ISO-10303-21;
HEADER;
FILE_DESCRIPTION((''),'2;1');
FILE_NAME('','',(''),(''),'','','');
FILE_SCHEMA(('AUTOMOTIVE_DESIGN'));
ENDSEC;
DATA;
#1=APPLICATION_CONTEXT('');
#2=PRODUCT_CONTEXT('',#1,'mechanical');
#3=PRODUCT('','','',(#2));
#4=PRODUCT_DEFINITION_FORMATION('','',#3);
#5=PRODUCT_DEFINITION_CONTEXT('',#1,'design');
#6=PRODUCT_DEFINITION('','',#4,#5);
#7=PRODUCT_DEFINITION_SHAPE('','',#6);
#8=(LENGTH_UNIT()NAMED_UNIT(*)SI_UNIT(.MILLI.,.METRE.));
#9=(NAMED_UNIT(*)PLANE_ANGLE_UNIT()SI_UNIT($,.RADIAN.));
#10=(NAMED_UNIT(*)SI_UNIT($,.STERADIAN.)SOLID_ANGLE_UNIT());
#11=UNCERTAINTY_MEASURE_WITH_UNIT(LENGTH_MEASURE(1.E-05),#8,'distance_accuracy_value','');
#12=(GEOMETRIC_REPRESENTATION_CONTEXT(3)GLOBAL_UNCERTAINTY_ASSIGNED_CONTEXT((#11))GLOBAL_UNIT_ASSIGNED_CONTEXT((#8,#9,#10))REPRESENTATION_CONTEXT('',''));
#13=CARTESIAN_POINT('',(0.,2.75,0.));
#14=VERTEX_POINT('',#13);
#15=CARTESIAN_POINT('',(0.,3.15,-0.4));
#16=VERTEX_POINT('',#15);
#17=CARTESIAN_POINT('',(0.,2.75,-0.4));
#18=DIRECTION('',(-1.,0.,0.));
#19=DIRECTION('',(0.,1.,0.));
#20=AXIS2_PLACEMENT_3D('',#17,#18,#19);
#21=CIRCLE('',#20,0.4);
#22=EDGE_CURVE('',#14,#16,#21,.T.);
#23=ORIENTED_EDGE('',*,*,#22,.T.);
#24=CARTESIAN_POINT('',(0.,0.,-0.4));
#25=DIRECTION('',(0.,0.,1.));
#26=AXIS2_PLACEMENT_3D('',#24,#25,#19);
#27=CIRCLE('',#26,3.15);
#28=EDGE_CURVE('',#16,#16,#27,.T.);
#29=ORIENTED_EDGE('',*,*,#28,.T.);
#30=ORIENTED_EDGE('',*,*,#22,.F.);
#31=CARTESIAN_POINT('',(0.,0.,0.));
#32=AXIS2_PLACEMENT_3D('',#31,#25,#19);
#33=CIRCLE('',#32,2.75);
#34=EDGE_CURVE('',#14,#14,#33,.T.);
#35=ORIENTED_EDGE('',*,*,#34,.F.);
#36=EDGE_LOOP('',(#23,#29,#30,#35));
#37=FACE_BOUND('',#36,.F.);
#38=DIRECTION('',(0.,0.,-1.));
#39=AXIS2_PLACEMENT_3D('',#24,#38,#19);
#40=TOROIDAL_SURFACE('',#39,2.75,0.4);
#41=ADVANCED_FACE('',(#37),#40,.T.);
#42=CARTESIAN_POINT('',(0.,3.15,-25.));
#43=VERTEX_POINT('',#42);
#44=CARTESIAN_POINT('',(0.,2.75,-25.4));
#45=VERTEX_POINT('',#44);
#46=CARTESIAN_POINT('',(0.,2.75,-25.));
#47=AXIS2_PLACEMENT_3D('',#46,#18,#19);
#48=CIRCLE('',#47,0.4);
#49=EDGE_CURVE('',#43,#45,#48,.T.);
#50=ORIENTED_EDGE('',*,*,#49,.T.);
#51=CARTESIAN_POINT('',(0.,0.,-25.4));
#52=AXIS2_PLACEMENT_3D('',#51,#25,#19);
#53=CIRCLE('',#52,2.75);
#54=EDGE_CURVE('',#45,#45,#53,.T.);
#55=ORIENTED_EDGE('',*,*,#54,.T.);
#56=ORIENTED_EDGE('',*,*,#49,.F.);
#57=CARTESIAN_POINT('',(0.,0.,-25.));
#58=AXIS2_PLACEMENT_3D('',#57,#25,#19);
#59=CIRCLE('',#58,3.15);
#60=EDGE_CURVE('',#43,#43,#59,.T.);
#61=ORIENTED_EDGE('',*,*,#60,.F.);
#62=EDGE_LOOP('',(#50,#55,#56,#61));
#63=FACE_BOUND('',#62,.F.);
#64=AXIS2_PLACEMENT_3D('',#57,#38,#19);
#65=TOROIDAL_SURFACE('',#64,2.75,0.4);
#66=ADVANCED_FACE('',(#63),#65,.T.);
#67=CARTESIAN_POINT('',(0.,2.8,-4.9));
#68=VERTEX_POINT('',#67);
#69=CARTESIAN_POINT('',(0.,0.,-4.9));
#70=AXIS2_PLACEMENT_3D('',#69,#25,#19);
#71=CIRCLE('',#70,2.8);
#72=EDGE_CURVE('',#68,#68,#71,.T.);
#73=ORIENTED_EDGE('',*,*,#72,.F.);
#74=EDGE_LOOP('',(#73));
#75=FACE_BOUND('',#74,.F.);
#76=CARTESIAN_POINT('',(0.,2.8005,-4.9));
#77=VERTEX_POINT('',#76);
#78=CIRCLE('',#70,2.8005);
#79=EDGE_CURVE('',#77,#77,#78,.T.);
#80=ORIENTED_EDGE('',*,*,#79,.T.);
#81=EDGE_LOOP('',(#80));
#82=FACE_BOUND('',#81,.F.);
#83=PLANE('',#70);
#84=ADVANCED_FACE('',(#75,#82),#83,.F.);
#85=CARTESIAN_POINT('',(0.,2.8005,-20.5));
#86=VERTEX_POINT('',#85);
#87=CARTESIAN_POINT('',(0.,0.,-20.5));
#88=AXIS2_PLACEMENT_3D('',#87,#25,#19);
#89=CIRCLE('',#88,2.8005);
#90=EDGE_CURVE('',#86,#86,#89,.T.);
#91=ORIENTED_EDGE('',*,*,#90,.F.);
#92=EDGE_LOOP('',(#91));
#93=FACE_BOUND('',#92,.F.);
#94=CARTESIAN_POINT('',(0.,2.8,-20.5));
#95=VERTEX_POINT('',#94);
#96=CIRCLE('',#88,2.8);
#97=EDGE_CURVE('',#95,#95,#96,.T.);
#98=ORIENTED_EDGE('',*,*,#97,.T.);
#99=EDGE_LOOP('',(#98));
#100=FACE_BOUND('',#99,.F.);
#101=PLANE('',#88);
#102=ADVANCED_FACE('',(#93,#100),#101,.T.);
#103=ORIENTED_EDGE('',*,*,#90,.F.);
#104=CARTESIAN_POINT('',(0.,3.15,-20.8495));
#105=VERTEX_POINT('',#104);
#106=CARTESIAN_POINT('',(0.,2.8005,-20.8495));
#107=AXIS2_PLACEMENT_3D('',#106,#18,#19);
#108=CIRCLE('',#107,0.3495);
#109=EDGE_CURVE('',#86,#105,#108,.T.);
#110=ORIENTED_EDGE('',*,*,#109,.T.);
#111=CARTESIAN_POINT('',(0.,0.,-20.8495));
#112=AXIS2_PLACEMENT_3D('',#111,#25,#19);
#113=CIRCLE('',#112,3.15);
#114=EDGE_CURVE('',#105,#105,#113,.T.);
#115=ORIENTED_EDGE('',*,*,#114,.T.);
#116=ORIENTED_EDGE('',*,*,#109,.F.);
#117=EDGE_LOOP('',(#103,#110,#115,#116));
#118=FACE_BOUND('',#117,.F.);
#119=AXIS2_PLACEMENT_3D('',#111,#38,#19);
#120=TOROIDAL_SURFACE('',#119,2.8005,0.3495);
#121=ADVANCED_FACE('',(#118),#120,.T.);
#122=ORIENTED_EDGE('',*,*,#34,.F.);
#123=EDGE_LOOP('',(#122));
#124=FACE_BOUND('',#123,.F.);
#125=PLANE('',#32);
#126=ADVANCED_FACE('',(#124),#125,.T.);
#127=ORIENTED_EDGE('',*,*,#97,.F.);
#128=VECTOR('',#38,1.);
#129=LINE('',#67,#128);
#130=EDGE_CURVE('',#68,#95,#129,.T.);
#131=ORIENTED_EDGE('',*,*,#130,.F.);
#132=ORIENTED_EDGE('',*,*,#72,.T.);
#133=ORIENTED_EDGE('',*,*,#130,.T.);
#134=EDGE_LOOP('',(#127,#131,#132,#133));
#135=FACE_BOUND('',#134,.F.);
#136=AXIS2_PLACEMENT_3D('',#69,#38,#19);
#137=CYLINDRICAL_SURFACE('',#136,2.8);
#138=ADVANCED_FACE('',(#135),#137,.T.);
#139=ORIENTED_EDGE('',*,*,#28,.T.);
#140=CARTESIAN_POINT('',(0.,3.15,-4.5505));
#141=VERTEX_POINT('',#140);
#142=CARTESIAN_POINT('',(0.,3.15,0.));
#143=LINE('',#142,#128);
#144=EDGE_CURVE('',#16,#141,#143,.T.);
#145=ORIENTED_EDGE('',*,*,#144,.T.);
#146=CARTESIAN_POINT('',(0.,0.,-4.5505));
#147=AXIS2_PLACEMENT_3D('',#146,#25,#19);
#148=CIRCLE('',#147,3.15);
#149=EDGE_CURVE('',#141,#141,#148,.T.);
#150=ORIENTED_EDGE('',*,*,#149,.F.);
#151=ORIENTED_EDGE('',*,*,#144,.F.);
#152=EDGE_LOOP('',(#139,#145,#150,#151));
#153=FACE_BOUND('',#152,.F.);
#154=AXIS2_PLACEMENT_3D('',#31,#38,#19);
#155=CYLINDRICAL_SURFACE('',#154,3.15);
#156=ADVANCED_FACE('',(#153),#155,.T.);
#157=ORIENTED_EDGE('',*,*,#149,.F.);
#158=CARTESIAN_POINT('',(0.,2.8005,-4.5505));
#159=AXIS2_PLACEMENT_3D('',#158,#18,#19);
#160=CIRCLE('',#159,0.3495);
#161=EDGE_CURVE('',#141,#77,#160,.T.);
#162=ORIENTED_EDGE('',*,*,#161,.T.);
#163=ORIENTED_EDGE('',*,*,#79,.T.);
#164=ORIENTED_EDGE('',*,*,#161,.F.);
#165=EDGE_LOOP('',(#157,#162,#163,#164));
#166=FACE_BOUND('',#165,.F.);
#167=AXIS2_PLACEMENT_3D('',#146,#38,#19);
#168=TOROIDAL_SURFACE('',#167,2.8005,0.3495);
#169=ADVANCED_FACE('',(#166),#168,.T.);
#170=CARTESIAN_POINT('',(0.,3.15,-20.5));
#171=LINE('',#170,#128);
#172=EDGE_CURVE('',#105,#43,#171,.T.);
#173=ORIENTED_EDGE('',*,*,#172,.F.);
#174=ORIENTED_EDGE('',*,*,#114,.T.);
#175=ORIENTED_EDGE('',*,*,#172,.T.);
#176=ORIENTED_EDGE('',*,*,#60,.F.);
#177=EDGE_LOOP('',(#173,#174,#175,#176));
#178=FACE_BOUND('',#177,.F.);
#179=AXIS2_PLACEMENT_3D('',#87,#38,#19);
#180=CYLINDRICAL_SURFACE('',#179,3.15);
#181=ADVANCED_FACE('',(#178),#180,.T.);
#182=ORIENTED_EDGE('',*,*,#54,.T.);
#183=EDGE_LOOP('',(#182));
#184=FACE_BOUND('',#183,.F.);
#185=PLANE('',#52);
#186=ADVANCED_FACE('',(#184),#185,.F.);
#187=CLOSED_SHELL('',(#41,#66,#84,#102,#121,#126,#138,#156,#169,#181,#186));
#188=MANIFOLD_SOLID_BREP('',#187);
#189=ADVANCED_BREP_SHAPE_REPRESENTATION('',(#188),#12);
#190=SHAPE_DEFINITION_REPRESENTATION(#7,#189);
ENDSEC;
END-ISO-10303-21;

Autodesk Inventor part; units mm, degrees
ref_plane "YZ Plane" through (0, 0, 0) normal (1, 0, 0) x (0, 1, 0)
ref_plane "XZ Plane" through (0, 0, 0) normal (0, 1, 0) x (-1, 0, 0)
ref_plane "XY Plane" through (0, 0, 0) normal (0, 0, 1) x (1, 0, 0)
sketch "Sketch2" plane through (0, 0, 0) normal (1, 0, 0) x (0, 1, 0)
  line L0 (0, 0) -> (3.15, 0)
  line L1 (3.15, 0) -> (3.15, -4.9)
  line L2 (3.15, -4.9) -> (2.8, -4.9)
  line L3 (2.8, -4.9) -> (2.8, -20.5)
  line L4 (2.8, -20.5) -> (3.15, -20.5)
  line L5 (3.15, -20.5) -> (3.15, -25.4)
  line L6 (3.15, -25.4) -> (0, -25.4)
  line L7 (0, -25.4) -> (0, 0)
  dimension "d1" = 3.15
  dimension "d2" = 4.9
  dimension "d3" = 0.35
  dimension "d4" = 15.6
  dimension "d5" = 0.35
  dimension "d6" = 4.9
  dimension "d7" = 3.15
revolve "Revolution1" add sketch "Sketch2" angle 360 about axis through (0, 0, -25.4) along (0, 0, 1)
fillet "Fillet4" radius 0.4 2 edges at (0, -3.15, -25.4) (0, -3.15, 0)
fillet "Fillet5" radius 0.35 2 edges at (0, -3.15, -20.5) (0, -3.15, -4.9)
equation "\"d5\" = d3"
equation "\"d6\" = d2"
equation "\"d7\" = d1"
properties part number "Fusible de 13A"
